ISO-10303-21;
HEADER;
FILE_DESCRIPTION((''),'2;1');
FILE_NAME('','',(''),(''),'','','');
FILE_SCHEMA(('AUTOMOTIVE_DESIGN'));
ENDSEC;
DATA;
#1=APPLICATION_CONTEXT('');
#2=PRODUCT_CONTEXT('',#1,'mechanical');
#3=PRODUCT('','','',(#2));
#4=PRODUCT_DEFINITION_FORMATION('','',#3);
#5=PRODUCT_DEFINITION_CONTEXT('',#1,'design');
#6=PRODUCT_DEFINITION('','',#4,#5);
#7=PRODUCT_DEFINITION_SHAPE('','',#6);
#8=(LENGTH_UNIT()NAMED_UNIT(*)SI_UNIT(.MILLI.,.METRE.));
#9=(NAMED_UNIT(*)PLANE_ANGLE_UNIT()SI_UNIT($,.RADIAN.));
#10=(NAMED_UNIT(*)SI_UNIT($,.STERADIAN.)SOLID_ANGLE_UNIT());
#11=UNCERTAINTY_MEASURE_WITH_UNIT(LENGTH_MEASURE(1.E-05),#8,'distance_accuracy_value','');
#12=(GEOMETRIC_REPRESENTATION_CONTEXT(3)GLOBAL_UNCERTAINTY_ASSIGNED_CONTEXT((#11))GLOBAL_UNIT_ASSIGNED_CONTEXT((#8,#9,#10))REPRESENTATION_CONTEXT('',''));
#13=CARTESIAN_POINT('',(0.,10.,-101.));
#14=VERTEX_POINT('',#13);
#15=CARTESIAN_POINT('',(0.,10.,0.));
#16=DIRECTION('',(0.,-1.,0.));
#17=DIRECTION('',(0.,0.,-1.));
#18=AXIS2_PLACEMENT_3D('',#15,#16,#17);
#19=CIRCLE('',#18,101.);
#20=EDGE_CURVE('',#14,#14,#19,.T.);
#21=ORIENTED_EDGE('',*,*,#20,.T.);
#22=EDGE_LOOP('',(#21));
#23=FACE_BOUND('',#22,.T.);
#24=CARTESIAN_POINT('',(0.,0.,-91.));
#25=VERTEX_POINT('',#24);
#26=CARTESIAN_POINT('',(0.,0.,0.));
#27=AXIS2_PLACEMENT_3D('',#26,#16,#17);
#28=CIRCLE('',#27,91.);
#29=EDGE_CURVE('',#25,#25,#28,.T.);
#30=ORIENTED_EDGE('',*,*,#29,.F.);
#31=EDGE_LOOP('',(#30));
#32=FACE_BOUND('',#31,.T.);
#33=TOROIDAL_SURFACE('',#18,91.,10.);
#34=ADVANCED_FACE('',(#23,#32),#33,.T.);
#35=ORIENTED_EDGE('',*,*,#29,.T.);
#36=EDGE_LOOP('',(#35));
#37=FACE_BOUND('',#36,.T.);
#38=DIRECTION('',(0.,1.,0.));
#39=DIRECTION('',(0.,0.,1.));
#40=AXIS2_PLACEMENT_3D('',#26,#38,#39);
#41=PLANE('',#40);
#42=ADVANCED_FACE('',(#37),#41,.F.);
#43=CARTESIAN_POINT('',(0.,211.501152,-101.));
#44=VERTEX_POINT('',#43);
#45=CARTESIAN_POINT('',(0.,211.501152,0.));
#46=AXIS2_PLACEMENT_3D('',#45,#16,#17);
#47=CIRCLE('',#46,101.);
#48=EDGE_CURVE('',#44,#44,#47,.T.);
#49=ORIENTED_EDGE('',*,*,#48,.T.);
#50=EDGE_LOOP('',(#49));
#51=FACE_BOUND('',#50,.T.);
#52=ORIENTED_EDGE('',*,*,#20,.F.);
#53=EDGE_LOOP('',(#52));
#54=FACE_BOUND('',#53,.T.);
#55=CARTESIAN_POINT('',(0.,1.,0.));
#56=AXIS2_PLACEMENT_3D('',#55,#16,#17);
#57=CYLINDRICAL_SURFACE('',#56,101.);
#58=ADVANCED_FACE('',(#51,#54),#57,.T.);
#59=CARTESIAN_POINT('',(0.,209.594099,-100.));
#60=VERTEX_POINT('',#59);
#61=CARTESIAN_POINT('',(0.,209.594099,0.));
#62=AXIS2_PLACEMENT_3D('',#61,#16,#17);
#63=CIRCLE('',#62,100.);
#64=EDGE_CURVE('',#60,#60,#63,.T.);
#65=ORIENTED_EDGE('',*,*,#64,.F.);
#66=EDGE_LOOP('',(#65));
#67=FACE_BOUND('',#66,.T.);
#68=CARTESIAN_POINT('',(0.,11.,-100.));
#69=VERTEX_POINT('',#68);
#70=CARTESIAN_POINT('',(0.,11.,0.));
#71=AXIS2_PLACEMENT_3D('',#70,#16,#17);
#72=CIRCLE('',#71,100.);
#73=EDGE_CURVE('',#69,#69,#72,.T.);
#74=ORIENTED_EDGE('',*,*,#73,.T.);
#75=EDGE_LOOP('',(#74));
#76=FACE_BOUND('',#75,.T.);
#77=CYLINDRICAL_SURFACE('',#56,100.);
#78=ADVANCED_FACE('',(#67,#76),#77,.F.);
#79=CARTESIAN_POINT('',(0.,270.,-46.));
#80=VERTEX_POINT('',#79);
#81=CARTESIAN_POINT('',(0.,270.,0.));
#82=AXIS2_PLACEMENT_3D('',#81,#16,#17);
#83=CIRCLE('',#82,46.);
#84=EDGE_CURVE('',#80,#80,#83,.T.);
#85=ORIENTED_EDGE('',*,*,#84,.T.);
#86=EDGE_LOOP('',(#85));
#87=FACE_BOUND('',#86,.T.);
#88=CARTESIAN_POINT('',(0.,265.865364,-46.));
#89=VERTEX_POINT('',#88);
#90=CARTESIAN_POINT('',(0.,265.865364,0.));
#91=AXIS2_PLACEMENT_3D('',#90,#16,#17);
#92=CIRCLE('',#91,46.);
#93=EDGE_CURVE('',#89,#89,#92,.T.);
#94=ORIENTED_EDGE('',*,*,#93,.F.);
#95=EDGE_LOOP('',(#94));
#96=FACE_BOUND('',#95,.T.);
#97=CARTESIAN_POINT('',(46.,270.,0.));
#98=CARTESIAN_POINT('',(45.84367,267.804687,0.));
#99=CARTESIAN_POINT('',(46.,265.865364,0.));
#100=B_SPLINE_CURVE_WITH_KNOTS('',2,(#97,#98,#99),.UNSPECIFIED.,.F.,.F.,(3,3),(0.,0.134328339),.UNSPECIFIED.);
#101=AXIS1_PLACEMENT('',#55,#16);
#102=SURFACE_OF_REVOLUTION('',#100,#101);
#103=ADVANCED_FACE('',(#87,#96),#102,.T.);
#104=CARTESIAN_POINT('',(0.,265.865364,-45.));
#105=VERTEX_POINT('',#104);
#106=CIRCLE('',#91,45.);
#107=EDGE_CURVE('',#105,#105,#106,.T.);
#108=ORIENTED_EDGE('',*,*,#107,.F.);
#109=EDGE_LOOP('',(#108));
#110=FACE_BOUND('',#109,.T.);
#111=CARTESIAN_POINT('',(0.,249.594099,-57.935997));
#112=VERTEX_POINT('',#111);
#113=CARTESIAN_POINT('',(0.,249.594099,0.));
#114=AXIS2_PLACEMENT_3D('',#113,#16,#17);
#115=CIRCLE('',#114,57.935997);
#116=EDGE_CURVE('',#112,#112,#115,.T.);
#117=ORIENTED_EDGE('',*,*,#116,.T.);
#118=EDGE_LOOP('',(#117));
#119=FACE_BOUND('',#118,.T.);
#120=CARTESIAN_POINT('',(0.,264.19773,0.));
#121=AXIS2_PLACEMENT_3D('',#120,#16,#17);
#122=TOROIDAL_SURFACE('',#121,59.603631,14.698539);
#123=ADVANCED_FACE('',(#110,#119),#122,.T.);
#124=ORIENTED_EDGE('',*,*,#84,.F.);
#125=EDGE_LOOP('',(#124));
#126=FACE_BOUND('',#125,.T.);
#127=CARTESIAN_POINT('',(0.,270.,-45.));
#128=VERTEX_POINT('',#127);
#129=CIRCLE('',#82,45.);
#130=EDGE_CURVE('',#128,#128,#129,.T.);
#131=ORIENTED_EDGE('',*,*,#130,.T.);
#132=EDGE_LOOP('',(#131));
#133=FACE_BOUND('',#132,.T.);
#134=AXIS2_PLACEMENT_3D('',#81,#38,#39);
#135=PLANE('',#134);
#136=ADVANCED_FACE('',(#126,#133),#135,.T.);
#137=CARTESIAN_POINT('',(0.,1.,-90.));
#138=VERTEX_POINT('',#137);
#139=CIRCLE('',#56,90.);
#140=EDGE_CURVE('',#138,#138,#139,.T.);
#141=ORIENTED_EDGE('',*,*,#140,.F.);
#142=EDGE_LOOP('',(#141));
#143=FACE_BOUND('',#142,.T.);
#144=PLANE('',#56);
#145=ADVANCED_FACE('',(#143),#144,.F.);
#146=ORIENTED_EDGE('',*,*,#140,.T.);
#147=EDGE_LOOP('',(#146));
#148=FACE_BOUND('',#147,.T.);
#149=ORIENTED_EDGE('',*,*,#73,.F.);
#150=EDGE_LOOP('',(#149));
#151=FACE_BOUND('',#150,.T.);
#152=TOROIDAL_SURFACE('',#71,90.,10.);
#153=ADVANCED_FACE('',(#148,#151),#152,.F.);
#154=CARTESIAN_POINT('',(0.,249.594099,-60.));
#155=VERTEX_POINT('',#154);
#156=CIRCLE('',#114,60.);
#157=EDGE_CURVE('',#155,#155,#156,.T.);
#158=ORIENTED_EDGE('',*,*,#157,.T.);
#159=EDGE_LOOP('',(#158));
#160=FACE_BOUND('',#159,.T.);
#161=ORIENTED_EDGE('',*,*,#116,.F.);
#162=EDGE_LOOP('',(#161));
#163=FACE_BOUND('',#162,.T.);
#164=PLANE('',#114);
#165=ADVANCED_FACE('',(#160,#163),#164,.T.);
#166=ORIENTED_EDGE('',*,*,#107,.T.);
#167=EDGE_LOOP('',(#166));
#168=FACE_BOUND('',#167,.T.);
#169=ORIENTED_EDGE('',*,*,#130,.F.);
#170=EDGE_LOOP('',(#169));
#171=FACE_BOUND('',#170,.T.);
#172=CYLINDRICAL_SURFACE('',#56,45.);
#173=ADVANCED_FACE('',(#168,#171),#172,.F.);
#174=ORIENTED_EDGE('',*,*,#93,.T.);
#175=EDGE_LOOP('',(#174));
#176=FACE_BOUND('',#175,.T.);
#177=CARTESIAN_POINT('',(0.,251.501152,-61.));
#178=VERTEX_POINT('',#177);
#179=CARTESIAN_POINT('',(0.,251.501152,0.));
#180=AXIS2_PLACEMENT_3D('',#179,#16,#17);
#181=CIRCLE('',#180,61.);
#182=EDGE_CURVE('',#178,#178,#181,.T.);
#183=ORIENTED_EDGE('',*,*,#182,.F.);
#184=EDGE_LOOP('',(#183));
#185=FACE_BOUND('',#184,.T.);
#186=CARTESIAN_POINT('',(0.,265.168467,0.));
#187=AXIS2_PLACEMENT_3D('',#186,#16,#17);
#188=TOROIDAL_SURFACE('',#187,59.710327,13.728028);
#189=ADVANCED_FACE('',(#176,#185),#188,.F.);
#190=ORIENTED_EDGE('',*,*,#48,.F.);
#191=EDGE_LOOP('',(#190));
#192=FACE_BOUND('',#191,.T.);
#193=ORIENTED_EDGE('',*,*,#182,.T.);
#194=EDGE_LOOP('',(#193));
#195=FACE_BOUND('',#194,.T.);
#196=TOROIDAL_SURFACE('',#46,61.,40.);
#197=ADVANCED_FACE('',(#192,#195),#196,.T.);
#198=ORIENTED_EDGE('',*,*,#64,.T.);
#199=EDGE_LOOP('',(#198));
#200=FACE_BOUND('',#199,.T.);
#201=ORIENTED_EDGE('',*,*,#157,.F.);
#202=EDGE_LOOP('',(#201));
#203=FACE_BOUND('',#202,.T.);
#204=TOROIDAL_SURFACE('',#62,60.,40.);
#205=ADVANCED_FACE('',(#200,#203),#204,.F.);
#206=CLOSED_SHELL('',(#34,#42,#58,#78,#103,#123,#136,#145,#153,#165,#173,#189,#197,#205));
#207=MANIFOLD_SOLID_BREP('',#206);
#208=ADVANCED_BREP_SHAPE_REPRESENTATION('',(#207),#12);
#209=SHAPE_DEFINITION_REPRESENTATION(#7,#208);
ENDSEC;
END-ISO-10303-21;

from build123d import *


with BuildPart() as part:
    # Sketch2 → Revolve1 (revolve)
    with BuildSketch(Plane.XY, mode=Mode.PRIVATE) as revolve1_sk:
        with BuildLine():
            Line((0, 0), (85.461855545, 0))
            Line((85.461855545, 0), (91, 0))
            ThreePointArc((91, 0), (98.071067812, 2.928932188), (101, 10))
            Line((101, 10), (101, 37.624801154))
            Line((101, 37.624801154), (101, 211.501152495))
            ThreePointArc((101, 211.501152495), (89.284271247, 239.785423743), (61, 251.501152495))
            ThreePointArc((61, 251.501152495), (50.215549394, 255.253431352), (46, 265.865364012))
            add(Edge.make_bspline(
                [(46, 270), (45.843669631, 267.80468678), (46, 265.865364012)],
                knots=[0, 0, 0, 0.134328339, 0.134328339, 0.134328339], degree=2))
            Line((46, 270), (45, 270))
            Line((45, 270), (45, 265.865364012))
            ThreePointArc((45, 265.865364012), (48.098109141, 255.05059881), (57.935996936, 249.59409898))
            Line((57.935996936, 249.59409898), (60, 249.59409898))
            ThreePointArc((60, 249.59409898), (88.284271247, 237.878370228), (100, 209.59409898))
            Line((100, 209.59409898), (100, 36.047532002))
            Line((100, 36.047532002), (100, 11))
            ThreePointArc((100, 11), (97.071067812, 3.928932188), (90, 1))
            Line((90, 1), (85.461855545, 1))
            Line((85.461855545, 1), (1, 1))
            Line((1, 1), (0, 1))
            Line((0, 1), (0, 0))
        make_face()
    revolve(revolve1_sk.sketch.rotate(Axis((0, 1, 0), (0, 1, 0)), 90), axis=Axis((0, 1, 0), (0, 1, 0)))


solid = part.part
